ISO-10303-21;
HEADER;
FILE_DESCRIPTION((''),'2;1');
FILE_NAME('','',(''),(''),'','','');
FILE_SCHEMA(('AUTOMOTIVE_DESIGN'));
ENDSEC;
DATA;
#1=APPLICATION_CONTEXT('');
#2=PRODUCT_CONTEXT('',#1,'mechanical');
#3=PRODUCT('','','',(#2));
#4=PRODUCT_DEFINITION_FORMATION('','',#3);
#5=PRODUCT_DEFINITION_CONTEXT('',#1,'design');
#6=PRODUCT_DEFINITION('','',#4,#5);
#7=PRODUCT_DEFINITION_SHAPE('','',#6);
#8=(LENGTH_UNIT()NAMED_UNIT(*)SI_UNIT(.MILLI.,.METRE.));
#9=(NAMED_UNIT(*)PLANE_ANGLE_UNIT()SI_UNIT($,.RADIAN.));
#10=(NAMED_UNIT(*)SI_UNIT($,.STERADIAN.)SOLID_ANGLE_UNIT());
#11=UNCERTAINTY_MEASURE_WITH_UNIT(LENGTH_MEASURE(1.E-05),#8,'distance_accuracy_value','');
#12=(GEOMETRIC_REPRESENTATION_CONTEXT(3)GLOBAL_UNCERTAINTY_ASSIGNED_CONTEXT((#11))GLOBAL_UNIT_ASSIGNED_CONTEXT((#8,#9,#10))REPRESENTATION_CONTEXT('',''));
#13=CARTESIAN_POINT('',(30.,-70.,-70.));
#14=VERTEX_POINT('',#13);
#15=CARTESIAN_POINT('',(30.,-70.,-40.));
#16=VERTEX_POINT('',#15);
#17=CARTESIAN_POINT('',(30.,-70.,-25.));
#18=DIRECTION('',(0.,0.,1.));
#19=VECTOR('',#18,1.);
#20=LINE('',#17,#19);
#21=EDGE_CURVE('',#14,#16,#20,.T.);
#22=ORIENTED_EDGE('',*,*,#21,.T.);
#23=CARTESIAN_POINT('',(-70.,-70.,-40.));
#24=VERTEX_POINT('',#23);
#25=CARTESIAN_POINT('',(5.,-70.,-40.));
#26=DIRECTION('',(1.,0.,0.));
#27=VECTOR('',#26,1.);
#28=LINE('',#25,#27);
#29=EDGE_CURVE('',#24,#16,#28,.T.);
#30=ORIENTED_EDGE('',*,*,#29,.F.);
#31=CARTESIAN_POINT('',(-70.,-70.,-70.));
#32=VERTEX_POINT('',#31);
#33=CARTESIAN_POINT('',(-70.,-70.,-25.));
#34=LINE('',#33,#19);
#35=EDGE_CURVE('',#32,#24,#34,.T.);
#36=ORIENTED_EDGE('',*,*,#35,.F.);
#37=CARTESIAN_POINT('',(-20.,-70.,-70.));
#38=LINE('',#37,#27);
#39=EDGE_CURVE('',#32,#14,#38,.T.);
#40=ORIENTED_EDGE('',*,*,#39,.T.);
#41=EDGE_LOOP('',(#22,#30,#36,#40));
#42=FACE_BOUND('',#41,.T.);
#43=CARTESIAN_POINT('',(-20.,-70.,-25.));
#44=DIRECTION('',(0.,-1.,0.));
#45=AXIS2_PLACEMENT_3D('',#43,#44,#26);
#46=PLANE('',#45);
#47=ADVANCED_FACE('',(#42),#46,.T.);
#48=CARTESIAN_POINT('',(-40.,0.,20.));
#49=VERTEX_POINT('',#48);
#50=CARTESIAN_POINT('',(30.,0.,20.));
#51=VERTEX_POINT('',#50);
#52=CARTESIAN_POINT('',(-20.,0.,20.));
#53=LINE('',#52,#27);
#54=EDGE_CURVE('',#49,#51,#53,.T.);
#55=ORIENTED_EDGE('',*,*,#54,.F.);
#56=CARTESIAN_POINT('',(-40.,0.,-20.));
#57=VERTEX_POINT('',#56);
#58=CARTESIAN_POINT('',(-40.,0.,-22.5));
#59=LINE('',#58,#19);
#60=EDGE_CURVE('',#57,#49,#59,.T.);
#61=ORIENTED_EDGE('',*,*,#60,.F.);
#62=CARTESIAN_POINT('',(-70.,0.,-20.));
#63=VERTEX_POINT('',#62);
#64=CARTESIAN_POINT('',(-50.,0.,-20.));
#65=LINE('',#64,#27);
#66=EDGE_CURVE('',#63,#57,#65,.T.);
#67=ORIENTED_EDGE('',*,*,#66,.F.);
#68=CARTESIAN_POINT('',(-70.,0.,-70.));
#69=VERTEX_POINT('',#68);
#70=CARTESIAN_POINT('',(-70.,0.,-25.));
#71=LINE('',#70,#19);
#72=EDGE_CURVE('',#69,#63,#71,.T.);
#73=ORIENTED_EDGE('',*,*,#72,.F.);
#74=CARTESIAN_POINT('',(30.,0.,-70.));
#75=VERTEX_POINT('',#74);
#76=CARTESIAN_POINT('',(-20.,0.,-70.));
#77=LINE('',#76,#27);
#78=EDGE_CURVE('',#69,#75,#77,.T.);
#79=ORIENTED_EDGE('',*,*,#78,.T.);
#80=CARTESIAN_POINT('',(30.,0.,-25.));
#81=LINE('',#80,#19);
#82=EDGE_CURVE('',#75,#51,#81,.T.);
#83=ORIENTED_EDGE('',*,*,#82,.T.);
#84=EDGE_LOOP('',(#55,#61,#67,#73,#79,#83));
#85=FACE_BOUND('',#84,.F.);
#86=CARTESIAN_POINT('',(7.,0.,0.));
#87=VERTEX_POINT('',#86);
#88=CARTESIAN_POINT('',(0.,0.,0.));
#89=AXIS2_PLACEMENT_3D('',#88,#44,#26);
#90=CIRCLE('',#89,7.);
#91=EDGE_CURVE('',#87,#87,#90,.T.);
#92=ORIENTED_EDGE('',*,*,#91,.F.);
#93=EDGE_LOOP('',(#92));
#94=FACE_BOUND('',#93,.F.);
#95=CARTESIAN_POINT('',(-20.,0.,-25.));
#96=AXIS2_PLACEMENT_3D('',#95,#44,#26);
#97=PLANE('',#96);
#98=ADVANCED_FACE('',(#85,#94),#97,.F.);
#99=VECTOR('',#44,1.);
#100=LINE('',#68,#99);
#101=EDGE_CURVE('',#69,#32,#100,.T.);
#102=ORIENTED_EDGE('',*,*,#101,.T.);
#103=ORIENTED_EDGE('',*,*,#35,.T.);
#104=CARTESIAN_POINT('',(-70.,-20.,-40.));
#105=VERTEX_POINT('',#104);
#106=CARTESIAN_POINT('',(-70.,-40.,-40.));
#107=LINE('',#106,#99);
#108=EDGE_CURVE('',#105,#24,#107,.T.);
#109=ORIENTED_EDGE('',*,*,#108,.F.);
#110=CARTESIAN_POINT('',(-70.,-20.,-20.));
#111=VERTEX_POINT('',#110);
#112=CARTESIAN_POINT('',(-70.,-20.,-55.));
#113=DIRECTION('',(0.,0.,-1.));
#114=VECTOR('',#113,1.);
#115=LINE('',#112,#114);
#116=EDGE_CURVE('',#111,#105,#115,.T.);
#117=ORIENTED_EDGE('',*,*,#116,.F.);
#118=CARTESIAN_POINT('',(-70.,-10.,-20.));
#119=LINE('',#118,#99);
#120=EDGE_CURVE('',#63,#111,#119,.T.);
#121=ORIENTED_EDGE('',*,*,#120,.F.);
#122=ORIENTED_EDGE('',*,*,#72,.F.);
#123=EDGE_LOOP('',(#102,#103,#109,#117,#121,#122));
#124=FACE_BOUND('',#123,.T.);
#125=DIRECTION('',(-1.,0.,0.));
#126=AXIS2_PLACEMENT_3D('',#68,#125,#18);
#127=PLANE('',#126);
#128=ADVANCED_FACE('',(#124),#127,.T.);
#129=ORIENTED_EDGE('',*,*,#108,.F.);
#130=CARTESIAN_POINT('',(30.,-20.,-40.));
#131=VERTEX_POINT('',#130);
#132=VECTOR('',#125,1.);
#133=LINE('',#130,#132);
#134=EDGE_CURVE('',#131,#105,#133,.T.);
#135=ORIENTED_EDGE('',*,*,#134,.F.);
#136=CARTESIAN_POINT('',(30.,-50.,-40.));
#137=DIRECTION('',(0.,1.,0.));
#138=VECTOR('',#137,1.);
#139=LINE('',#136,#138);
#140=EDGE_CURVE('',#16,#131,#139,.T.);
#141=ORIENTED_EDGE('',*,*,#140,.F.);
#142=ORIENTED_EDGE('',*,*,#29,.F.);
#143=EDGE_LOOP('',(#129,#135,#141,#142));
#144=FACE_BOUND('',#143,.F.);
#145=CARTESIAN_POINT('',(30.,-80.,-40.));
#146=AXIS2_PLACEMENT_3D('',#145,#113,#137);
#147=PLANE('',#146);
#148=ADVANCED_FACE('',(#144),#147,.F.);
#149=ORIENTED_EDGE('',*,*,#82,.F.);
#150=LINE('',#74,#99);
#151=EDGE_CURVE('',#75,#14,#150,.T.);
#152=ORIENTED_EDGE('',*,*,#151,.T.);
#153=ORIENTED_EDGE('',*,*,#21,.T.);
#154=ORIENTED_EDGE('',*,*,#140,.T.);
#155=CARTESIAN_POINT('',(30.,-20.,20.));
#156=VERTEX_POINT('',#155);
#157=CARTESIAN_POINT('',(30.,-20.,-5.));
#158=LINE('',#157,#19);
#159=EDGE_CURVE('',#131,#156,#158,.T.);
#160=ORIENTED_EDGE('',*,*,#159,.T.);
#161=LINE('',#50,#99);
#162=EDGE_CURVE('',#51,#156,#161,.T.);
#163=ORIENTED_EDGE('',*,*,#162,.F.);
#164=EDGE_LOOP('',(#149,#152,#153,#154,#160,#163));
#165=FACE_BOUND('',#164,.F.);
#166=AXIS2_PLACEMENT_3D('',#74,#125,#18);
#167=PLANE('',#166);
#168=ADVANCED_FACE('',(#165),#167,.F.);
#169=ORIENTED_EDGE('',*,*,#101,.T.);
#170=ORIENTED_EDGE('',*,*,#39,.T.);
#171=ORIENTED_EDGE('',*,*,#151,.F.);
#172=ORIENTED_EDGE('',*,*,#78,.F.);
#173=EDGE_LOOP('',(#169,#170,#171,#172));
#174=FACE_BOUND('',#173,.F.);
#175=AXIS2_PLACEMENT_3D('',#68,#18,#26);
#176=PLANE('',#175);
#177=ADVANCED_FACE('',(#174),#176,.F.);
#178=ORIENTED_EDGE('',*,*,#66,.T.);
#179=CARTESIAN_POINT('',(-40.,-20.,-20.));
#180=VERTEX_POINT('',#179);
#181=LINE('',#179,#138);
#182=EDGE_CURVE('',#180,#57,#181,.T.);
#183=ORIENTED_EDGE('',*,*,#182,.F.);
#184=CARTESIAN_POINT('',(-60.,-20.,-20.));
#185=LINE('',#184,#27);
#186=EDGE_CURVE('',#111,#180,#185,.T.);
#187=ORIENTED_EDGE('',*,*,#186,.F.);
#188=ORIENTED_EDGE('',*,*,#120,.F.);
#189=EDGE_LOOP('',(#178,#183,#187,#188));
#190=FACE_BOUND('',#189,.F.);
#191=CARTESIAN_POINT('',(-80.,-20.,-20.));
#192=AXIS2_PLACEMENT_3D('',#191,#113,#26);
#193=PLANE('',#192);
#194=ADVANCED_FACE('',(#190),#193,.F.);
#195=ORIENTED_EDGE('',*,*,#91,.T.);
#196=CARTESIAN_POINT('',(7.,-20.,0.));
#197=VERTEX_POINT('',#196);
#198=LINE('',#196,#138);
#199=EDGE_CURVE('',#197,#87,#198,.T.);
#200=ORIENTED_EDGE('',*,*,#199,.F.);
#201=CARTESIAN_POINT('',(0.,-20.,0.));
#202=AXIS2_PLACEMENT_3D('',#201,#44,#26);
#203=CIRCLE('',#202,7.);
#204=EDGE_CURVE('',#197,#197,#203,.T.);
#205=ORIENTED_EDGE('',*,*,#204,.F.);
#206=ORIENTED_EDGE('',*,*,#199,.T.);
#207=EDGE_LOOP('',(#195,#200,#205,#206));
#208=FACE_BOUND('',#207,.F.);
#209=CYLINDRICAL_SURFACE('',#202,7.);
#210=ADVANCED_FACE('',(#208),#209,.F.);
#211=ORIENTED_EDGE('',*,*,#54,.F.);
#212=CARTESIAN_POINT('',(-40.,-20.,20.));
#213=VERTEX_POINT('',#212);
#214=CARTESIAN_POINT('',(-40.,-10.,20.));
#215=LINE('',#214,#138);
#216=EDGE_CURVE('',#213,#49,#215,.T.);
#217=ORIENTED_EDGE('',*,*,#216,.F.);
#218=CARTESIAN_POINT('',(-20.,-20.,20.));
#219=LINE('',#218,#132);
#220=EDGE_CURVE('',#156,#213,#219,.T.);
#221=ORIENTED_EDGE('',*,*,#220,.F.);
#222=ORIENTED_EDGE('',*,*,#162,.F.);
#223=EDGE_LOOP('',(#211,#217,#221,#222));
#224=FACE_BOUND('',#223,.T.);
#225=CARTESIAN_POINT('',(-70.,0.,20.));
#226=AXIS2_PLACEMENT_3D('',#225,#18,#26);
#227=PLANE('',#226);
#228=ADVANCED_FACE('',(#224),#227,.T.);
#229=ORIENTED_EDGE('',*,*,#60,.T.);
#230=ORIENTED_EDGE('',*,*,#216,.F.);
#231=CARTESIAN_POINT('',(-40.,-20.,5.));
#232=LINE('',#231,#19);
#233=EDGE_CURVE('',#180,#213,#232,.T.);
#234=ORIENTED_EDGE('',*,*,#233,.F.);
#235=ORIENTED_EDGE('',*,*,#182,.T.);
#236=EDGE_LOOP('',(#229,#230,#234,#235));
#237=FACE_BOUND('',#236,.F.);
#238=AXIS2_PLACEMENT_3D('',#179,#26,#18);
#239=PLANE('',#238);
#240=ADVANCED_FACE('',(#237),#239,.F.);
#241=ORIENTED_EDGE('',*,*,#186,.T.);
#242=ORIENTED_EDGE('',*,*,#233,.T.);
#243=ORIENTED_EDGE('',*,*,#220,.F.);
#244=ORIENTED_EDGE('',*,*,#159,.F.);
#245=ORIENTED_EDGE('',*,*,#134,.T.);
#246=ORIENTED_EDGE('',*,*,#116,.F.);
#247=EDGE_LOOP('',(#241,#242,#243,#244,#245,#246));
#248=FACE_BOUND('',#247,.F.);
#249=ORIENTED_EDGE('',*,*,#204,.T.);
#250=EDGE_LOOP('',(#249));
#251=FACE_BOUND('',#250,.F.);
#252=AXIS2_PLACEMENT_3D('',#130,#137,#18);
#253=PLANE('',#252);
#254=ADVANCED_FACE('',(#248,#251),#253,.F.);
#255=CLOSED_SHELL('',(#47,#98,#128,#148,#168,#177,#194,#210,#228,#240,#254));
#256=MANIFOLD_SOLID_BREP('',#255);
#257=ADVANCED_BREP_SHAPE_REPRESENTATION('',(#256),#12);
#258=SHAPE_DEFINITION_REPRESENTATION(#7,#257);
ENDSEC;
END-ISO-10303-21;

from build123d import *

# Parameters (mm, degrees)
F0_W     = 100
F0_H     = 90
F1_DEPTH = 70
F2_W     = 60
F2_H     = 70
F3_DEPTH = 100.001
F4_W     = 40
F4_H     = 50
F5_DEPTH = 20.001
F6_R     = 7
F7_DEPTH = 20.001


with BuildPart() as f1:
    # F0 (on Front) → F1 (new body)
    with BuildSketch(Plane.XZ):
        with Locations((-20, -25)):
            Rectangle(F0_W, F0_H)
    extrude(amount=F1_DEPTH)

    # F2 (on face) → F3 (cut, through all)
    with BuildSketch(Plane.YZ.offset(30)):
        with Locations((-50, -5)):
            Rectangle(F2_W, F2_H)
    extrude(amount=-F3_DEPTH, mode=Mode.SUBTRACT)

    # F4 (on face) → F5 (cut, through all)
    with BuildSketch(Plane.XZ.offset(20)):
        with Locations((-60, 5)):
            Rectangle(F4_W, F4_H)
    extrude(amount=-F5_DEPTH, mode=Mode.SUBTRACT)

    # F6 (on face) → F7 (cut, through all)
    with BuildSketch(Plane.XZ.offset(20)):
        Circle(F6_R)
    extrude(amount=-F7_DEPTH, mode=Mode.SUBTRACT)


solid = f1.part
